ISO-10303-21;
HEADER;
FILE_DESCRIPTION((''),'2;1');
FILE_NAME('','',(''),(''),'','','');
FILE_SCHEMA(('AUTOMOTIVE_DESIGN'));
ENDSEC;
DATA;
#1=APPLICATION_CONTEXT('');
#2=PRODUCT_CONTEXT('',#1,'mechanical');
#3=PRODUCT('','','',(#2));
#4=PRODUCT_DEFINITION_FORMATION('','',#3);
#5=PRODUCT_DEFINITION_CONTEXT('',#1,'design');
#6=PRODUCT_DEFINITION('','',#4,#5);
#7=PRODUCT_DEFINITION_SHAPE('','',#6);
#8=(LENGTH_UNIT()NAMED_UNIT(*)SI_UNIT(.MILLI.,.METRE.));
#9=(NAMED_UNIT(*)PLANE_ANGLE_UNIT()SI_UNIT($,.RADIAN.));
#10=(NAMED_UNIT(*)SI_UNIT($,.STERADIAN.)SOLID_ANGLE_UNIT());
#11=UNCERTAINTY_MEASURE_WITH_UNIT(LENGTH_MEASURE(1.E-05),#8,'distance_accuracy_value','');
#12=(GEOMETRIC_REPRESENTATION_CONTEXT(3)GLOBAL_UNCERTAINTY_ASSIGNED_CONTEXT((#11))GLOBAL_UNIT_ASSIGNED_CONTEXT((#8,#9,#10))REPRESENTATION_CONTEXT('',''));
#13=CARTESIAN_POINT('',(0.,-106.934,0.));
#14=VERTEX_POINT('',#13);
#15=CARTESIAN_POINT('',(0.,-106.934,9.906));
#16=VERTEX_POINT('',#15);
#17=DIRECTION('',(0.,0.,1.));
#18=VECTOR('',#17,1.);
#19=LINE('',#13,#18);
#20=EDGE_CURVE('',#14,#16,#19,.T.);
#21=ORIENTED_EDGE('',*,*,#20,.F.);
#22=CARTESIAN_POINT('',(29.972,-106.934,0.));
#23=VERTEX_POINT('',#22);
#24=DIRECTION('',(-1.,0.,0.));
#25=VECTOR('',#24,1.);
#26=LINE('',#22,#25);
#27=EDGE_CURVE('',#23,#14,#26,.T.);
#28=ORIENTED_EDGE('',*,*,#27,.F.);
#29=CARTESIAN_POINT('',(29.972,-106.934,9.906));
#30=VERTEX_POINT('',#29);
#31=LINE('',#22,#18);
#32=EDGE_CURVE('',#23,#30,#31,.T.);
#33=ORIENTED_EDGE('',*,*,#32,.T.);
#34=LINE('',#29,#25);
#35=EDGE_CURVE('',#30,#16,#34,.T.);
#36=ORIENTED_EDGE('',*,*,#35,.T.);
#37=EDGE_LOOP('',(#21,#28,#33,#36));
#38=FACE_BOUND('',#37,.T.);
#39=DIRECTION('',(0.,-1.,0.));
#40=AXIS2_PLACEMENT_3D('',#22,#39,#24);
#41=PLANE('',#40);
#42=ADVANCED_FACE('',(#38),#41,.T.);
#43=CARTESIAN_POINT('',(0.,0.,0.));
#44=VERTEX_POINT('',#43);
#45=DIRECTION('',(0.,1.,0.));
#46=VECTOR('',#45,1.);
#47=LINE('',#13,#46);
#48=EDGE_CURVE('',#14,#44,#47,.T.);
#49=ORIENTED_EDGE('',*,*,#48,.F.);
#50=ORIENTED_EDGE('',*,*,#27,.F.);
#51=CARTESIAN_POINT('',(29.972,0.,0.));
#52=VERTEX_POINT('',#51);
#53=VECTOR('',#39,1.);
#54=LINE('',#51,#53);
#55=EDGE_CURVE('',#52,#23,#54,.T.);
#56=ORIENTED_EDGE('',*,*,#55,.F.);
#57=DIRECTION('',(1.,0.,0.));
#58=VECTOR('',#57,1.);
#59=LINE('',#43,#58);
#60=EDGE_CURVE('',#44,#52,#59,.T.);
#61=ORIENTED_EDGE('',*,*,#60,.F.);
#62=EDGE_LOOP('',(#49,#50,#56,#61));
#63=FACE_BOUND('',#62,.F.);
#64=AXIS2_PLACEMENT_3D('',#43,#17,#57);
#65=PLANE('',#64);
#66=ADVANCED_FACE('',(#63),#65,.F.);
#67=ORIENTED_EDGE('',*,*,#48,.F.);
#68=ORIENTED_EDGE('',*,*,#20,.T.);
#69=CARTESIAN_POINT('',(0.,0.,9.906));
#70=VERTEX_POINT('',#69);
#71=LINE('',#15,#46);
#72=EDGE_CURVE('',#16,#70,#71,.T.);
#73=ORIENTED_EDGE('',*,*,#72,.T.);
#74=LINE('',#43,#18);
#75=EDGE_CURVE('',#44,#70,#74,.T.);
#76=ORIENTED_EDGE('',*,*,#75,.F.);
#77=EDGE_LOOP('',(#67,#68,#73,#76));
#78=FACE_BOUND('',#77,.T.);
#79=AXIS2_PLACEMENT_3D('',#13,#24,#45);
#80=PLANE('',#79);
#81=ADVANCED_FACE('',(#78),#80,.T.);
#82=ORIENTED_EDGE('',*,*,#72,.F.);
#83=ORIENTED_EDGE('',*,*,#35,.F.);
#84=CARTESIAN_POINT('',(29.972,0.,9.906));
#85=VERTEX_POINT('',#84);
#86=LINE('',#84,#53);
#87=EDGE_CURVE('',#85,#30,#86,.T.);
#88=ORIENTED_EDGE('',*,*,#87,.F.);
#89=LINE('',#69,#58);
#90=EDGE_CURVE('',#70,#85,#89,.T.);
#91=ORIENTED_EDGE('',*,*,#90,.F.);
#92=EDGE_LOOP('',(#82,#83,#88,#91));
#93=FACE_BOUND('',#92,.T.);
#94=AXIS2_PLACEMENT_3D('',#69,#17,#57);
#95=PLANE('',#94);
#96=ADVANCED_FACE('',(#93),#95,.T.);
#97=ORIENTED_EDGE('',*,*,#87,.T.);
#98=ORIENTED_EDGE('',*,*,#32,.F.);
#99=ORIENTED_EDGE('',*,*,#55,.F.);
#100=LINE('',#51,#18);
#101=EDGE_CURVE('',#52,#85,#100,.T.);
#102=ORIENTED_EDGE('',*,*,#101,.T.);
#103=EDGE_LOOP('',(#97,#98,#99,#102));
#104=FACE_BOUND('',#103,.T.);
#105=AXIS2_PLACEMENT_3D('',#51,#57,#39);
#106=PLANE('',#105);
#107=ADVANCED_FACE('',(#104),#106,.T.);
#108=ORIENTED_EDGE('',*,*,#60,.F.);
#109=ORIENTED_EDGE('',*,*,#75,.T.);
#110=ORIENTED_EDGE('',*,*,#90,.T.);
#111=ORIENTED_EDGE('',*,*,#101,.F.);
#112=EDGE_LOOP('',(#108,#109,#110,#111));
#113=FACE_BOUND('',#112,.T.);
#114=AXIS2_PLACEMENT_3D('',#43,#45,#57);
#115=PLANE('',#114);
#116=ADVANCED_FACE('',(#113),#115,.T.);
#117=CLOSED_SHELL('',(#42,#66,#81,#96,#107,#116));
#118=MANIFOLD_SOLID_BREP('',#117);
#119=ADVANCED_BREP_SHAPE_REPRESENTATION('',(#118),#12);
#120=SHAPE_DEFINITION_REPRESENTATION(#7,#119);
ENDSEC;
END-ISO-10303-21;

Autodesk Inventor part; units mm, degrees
ref_plane "YZ Plane" through (0, 0, 0) normal (1, 0, 0) x (0, 1, 0)
ref_plane "XZ Plane" through (0, 0, 0) normal (0, 1, 0) x (-1, 0, 0)
ref_plane "XY Plane" through (0, 0, 0) normal (0, 0, 1) x (1, 0, 0)
sketch "Sketch1" plane through (0, 0, 0) normal (0, 0, 1) x (1, 0, 0)
  line L0 (0, 0) -> (29.972, 0)
  line L1 (29.972, 0) -> (29.972, -106.934)
  line L2 (29.972, -106.934) -> (0, -106.934)
  line L3 (0, -106.934) -> (0, 0)
  dimension "d0" = 29.972
  dimension "d1" = 106.934
extrude "Extrusion1" add sketch "Sketch1" along normal blind 9.906
properties part number "USB Hub" material "ABS Plastic"
